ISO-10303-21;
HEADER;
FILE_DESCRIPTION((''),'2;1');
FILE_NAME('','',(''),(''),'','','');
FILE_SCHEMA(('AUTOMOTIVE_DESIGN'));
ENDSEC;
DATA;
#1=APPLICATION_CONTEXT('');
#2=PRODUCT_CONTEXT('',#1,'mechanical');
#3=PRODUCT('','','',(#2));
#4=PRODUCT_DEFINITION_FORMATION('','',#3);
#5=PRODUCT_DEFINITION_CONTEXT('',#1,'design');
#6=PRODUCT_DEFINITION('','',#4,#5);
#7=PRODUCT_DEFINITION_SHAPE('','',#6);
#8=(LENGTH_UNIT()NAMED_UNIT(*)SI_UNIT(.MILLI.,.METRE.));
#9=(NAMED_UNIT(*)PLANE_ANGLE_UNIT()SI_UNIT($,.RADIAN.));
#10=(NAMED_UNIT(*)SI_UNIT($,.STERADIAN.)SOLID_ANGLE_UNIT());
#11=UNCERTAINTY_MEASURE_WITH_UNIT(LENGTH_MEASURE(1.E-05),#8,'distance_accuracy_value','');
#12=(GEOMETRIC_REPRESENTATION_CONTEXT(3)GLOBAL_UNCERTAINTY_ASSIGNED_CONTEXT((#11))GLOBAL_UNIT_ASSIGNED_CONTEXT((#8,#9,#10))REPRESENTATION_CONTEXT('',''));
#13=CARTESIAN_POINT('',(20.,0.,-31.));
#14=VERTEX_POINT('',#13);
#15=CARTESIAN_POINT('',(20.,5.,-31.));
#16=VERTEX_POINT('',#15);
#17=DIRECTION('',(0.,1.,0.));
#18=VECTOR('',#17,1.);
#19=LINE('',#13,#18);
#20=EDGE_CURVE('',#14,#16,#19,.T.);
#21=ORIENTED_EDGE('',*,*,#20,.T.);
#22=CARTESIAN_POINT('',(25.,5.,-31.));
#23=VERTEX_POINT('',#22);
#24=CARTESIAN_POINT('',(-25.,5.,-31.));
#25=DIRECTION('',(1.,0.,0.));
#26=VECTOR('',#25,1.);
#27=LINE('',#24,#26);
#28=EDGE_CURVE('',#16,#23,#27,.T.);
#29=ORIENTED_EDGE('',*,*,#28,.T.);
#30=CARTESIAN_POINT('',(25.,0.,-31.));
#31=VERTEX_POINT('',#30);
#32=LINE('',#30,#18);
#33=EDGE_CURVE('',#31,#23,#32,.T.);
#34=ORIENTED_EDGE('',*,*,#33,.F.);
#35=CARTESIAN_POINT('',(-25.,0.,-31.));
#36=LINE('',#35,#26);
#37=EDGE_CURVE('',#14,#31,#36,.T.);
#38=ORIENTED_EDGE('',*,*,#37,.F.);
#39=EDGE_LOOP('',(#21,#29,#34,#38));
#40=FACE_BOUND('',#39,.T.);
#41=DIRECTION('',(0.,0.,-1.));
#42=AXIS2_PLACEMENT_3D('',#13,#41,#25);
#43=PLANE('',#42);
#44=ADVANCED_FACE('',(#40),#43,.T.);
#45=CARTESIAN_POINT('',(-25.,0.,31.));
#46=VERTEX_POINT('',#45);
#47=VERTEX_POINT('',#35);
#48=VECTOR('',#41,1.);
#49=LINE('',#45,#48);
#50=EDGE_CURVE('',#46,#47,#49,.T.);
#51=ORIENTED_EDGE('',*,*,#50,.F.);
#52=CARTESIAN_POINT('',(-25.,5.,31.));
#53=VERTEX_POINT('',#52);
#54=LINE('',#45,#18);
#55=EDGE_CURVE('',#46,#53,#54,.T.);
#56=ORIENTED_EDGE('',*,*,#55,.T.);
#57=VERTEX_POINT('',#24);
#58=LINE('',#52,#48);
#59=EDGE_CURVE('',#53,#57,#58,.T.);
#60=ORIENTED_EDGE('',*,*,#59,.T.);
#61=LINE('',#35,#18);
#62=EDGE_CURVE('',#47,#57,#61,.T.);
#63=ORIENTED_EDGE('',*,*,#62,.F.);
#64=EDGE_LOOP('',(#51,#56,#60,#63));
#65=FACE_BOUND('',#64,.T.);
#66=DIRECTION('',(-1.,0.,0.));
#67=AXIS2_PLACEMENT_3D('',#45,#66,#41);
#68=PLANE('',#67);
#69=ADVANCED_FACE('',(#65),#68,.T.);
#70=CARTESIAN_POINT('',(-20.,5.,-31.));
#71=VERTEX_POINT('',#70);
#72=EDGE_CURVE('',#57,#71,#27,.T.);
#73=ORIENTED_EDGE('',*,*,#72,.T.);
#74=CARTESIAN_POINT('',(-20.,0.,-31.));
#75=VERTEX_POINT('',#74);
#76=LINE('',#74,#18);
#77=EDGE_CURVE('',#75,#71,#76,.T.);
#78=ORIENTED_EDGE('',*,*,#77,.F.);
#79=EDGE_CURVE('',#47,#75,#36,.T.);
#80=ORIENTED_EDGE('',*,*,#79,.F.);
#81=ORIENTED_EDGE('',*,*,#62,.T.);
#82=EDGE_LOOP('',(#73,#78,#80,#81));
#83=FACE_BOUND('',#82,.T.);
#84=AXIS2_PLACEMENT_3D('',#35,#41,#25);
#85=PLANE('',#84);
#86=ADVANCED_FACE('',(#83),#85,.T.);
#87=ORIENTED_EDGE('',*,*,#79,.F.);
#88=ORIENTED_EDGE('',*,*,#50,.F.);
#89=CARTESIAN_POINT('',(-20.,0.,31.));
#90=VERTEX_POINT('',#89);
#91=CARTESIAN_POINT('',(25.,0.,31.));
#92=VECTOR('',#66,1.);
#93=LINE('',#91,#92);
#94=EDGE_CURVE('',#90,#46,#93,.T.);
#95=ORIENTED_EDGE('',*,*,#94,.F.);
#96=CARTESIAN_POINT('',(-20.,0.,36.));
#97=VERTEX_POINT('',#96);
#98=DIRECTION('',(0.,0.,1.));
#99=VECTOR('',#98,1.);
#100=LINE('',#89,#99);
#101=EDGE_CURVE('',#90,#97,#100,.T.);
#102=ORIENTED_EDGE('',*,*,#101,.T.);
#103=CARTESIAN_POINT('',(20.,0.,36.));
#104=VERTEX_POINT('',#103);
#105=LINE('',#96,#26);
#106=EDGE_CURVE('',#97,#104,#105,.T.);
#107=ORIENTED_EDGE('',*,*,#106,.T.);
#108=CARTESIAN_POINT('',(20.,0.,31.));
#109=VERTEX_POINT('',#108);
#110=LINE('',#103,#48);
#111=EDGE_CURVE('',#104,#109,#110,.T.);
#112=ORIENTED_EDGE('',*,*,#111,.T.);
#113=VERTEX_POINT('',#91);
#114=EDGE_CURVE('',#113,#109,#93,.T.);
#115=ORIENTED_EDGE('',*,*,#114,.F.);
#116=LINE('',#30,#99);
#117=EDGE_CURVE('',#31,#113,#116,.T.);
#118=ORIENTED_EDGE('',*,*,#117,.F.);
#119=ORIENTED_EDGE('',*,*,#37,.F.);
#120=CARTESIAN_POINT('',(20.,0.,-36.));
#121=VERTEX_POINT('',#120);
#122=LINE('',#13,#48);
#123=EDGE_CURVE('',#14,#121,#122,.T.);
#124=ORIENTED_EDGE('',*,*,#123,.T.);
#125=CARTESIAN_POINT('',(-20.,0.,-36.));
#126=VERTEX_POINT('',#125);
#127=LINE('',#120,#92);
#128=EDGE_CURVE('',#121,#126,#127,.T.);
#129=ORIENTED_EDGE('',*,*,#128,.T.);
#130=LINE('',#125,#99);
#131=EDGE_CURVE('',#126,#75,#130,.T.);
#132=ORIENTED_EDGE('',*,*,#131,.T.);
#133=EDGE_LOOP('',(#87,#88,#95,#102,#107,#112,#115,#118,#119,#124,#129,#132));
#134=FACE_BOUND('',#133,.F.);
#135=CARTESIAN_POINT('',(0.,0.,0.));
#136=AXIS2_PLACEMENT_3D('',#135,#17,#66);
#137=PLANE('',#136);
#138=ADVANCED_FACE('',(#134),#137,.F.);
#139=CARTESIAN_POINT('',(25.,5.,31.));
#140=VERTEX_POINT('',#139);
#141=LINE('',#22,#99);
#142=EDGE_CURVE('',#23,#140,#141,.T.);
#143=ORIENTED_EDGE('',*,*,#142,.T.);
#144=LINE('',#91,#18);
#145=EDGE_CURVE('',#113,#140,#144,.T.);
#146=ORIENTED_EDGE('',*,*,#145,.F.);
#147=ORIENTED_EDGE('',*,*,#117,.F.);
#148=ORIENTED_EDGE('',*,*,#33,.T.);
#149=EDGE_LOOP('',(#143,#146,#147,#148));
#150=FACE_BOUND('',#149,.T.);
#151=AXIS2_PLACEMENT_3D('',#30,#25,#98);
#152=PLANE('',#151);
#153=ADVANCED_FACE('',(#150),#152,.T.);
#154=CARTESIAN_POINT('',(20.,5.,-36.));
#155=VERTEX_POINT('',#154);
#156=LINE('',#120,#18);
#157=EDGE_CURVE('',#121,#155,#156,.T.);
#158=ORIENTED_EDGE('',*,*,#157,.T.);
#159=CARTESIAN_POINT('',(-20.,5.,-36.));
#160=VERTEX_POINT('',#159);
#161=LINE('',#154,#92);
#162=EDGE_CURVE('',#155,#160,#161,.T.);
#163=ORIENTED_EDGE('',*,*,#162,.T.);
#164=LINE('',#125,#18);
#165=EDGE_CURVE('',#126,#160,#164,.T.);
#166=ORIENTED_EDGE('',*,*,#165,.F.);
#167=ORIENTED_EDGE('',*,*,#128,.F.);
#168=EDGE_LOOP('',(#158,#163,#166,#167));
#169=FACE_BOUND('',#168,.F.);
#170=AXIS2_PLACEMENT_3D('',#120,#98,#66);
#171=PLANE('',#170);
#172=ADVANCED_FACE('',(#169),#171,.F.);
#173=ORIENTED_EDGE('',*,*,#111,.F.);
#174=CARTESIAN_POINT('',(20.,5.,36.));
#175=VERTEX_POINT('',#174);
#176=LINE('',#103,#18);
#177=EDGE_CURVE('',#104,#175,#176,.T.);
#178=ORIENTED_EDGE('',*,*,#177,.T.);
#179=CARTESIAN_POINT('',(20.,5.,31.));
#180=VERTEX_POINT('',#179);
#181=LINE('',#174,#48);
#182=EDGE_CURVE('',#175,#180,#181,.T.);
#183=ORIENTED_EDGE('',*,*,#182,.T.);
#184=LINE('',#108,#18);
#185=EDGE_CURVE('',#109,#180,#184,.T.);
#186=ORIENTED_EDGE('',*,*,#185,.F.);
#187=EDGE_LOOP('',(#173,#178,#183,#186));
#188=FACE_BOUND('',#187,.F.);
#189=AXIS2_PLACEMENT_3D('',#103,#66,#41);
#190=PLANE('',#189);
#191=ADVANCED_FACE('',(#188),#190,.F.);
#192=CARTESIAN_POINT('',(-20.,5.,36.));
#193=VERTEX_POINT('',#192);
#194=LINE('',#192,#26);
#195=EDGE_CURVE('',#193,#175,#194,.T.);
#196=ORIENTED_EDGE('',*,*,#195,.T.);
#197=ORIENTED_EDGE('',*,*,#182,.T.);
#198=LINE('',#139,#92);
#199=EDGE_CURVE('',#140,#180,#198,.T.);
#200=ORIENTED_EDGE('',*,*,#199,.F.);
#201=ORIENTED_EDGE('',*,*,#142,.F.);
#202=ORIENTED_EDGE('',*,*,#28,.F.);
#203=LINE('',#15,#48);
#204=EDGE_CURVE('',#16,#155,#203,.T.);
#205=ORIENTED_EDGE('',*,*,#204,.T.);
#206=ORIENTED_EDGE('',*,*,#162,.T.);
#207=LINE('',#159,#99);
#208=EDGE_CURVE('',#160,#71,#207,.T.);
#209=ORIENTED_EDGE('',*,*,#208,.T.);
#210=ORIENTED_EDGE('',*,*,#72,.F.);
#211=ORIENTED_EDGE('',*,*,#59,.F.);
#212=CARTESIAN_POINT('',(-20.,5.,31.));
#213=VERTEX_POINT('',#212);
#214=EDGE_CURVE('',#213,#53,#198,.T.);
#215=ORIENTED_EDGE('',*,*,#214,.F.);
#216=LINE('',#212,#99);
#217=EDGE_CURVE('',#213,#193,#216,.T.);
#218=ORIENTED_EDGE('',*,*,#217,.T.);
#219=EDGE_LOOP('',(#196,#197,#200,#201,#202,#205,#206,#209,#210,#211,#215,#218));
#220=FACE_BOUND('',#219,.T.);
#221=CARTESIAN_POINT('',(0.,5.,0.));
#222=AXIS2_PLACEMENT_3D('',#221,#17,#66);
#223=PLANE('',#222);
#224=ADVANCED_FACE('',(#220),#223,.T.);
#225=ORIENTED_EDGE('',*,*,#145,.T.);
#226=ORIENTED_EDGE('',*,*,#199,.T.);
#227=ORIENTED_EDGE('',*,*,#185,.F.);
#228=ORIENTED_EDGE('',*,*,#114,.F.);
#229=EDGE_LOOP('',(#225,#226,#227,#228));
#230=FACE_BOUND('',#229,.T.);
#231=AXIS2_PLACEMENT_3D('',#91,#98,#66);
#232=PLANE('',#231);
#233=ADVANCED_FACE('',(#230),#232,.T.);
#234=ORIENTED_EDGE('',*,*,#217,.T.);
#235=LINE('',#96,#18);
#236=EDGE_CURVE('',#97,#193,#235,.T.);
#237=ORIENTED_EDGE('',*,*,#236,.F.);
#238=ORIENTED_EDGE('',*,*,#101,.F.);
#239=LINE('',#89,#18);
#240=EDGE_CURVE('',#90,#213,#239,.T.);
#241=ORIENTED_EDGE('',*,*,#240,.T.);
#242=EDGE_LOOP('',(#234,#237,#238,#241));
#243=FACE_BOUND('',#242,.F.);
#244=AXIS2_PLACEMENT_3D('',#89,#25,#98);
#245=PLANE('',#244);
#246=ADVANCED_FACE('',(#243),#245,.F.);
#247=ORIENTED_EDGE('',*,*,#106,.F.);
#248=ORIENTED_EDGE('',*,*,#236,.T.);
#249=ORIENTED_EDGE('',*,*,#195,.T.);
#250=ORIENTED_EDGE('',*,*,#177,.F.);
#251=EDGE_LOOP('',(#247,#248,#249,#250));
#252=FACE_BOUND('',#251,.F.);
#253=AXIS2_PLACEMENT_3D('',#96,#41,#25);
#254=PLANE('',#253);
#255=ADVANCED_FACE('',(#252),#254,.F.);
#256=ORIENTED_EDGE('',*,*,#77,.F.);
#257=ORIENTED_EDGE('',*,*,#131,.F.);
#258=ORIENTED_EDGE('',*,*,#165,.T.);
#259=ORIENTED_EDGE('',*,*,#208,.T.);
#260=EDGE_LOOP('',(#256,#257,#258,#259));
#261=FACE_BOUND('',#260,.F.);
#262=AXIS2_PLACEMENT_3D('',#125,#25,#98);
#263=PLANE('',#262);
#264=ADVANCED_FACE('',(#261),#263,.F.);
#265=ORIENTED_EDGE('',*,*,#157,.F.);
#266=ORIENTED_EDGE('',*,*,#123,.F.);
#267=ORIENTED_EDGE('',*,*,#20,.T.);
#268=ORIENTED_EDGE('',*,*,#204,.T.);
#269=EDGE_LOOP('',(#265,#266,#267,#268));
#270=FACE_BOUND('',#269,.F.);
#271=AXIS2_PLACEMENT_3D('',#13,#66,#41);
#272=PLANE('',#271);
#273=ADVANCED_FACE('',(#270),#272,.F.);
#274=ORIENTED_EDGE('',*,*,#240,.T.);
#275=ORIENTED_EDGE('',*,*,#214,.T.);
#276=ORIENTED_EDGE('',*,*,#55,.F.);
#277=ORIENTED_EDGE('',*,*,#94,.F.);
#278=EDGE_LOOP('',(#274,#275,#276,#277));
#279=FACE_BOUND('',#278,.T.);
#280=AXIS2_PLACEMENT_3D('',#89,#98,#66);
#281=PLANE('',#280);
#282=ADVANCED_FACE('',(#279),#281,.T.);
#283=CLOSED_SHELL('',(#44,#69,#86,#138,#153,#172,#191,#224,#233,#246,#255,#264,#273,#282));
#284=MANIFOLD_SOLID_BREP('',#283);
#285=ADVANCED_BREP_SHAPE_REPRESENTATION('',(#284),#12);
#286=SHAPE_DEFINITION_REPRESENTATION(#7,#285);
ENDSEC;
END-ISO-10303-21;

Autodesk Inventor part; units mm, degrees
ref_plane "YZ Plane" through (0, 0, 0) normal (1, 0, 0) x (0, 1, 0)
ref_plane "XZ Plane" through (0, 0, 0) normal (0, 1, 0) x (-1, 0, 0)
ref_plane "XY Plane" through (0, 0, 0) normal (0, 0, 1) x (1, 0, 0)
sketch "Sketch1" plane through (0, 0, 0) normal (0, 1, 0) x (-1, 0, 0)
  line L0 (25, -31) -> (-25, -31)
  line L1 (-25, -31) -> (-25, 31)
  line L2 (-25, 31) -> (25, 31)
  line L3 (25, 31) -> (25, -31)
  line L4 (25, -31) -> (-25, 31) construction
  line L5 (-25, -31) -> (25, 31) construction
  line L6 (-20, -36) -> (20, -36)
  line L7 (20, -36) -> (20, -31)
  line L8 (20, -31) -> (-20, -31)
  line L9 (-20, -31) -> (-20, -36)
  line L10 (-20, -36) -> (20, -31) construction
  line L11 (20, -36) -> (-20, -31) construction
  line L12 (-20, 31) -> (20, 31)
  line L13 (20, 31) -> (20, 36)
  line L14 (20, 36) -> (-20, 36)
  line L15 (-20, 36) -> (-20, 31)
  line L16 (-20, 31) -> (20, 36) construction
  line L17 (20, 31) -> (-20, 36) construction
  line L18 (0, 0) -> (0, -31) construction
  line L19 (0, -33.5) -> (0, -36) construction
  line L20 (0, 33.5) -> (0, 31) construction
  point P0 (-20, 31)
  point P1 (-20, -31)
  point P2 (20, -31)
  point P3 (20, 31)
  dimension "d0" = 5
  dimension "d1" = 5
  dimension "d2" = 40
  dimension "d3" = 40
  dimension "d4" = 62
  dimension "d5" = 50
extrude "Extrusion1" add sketch "Sketch1" along normal blind 5
properties part number "Base Plate Wall" material "LCP Plastic"
